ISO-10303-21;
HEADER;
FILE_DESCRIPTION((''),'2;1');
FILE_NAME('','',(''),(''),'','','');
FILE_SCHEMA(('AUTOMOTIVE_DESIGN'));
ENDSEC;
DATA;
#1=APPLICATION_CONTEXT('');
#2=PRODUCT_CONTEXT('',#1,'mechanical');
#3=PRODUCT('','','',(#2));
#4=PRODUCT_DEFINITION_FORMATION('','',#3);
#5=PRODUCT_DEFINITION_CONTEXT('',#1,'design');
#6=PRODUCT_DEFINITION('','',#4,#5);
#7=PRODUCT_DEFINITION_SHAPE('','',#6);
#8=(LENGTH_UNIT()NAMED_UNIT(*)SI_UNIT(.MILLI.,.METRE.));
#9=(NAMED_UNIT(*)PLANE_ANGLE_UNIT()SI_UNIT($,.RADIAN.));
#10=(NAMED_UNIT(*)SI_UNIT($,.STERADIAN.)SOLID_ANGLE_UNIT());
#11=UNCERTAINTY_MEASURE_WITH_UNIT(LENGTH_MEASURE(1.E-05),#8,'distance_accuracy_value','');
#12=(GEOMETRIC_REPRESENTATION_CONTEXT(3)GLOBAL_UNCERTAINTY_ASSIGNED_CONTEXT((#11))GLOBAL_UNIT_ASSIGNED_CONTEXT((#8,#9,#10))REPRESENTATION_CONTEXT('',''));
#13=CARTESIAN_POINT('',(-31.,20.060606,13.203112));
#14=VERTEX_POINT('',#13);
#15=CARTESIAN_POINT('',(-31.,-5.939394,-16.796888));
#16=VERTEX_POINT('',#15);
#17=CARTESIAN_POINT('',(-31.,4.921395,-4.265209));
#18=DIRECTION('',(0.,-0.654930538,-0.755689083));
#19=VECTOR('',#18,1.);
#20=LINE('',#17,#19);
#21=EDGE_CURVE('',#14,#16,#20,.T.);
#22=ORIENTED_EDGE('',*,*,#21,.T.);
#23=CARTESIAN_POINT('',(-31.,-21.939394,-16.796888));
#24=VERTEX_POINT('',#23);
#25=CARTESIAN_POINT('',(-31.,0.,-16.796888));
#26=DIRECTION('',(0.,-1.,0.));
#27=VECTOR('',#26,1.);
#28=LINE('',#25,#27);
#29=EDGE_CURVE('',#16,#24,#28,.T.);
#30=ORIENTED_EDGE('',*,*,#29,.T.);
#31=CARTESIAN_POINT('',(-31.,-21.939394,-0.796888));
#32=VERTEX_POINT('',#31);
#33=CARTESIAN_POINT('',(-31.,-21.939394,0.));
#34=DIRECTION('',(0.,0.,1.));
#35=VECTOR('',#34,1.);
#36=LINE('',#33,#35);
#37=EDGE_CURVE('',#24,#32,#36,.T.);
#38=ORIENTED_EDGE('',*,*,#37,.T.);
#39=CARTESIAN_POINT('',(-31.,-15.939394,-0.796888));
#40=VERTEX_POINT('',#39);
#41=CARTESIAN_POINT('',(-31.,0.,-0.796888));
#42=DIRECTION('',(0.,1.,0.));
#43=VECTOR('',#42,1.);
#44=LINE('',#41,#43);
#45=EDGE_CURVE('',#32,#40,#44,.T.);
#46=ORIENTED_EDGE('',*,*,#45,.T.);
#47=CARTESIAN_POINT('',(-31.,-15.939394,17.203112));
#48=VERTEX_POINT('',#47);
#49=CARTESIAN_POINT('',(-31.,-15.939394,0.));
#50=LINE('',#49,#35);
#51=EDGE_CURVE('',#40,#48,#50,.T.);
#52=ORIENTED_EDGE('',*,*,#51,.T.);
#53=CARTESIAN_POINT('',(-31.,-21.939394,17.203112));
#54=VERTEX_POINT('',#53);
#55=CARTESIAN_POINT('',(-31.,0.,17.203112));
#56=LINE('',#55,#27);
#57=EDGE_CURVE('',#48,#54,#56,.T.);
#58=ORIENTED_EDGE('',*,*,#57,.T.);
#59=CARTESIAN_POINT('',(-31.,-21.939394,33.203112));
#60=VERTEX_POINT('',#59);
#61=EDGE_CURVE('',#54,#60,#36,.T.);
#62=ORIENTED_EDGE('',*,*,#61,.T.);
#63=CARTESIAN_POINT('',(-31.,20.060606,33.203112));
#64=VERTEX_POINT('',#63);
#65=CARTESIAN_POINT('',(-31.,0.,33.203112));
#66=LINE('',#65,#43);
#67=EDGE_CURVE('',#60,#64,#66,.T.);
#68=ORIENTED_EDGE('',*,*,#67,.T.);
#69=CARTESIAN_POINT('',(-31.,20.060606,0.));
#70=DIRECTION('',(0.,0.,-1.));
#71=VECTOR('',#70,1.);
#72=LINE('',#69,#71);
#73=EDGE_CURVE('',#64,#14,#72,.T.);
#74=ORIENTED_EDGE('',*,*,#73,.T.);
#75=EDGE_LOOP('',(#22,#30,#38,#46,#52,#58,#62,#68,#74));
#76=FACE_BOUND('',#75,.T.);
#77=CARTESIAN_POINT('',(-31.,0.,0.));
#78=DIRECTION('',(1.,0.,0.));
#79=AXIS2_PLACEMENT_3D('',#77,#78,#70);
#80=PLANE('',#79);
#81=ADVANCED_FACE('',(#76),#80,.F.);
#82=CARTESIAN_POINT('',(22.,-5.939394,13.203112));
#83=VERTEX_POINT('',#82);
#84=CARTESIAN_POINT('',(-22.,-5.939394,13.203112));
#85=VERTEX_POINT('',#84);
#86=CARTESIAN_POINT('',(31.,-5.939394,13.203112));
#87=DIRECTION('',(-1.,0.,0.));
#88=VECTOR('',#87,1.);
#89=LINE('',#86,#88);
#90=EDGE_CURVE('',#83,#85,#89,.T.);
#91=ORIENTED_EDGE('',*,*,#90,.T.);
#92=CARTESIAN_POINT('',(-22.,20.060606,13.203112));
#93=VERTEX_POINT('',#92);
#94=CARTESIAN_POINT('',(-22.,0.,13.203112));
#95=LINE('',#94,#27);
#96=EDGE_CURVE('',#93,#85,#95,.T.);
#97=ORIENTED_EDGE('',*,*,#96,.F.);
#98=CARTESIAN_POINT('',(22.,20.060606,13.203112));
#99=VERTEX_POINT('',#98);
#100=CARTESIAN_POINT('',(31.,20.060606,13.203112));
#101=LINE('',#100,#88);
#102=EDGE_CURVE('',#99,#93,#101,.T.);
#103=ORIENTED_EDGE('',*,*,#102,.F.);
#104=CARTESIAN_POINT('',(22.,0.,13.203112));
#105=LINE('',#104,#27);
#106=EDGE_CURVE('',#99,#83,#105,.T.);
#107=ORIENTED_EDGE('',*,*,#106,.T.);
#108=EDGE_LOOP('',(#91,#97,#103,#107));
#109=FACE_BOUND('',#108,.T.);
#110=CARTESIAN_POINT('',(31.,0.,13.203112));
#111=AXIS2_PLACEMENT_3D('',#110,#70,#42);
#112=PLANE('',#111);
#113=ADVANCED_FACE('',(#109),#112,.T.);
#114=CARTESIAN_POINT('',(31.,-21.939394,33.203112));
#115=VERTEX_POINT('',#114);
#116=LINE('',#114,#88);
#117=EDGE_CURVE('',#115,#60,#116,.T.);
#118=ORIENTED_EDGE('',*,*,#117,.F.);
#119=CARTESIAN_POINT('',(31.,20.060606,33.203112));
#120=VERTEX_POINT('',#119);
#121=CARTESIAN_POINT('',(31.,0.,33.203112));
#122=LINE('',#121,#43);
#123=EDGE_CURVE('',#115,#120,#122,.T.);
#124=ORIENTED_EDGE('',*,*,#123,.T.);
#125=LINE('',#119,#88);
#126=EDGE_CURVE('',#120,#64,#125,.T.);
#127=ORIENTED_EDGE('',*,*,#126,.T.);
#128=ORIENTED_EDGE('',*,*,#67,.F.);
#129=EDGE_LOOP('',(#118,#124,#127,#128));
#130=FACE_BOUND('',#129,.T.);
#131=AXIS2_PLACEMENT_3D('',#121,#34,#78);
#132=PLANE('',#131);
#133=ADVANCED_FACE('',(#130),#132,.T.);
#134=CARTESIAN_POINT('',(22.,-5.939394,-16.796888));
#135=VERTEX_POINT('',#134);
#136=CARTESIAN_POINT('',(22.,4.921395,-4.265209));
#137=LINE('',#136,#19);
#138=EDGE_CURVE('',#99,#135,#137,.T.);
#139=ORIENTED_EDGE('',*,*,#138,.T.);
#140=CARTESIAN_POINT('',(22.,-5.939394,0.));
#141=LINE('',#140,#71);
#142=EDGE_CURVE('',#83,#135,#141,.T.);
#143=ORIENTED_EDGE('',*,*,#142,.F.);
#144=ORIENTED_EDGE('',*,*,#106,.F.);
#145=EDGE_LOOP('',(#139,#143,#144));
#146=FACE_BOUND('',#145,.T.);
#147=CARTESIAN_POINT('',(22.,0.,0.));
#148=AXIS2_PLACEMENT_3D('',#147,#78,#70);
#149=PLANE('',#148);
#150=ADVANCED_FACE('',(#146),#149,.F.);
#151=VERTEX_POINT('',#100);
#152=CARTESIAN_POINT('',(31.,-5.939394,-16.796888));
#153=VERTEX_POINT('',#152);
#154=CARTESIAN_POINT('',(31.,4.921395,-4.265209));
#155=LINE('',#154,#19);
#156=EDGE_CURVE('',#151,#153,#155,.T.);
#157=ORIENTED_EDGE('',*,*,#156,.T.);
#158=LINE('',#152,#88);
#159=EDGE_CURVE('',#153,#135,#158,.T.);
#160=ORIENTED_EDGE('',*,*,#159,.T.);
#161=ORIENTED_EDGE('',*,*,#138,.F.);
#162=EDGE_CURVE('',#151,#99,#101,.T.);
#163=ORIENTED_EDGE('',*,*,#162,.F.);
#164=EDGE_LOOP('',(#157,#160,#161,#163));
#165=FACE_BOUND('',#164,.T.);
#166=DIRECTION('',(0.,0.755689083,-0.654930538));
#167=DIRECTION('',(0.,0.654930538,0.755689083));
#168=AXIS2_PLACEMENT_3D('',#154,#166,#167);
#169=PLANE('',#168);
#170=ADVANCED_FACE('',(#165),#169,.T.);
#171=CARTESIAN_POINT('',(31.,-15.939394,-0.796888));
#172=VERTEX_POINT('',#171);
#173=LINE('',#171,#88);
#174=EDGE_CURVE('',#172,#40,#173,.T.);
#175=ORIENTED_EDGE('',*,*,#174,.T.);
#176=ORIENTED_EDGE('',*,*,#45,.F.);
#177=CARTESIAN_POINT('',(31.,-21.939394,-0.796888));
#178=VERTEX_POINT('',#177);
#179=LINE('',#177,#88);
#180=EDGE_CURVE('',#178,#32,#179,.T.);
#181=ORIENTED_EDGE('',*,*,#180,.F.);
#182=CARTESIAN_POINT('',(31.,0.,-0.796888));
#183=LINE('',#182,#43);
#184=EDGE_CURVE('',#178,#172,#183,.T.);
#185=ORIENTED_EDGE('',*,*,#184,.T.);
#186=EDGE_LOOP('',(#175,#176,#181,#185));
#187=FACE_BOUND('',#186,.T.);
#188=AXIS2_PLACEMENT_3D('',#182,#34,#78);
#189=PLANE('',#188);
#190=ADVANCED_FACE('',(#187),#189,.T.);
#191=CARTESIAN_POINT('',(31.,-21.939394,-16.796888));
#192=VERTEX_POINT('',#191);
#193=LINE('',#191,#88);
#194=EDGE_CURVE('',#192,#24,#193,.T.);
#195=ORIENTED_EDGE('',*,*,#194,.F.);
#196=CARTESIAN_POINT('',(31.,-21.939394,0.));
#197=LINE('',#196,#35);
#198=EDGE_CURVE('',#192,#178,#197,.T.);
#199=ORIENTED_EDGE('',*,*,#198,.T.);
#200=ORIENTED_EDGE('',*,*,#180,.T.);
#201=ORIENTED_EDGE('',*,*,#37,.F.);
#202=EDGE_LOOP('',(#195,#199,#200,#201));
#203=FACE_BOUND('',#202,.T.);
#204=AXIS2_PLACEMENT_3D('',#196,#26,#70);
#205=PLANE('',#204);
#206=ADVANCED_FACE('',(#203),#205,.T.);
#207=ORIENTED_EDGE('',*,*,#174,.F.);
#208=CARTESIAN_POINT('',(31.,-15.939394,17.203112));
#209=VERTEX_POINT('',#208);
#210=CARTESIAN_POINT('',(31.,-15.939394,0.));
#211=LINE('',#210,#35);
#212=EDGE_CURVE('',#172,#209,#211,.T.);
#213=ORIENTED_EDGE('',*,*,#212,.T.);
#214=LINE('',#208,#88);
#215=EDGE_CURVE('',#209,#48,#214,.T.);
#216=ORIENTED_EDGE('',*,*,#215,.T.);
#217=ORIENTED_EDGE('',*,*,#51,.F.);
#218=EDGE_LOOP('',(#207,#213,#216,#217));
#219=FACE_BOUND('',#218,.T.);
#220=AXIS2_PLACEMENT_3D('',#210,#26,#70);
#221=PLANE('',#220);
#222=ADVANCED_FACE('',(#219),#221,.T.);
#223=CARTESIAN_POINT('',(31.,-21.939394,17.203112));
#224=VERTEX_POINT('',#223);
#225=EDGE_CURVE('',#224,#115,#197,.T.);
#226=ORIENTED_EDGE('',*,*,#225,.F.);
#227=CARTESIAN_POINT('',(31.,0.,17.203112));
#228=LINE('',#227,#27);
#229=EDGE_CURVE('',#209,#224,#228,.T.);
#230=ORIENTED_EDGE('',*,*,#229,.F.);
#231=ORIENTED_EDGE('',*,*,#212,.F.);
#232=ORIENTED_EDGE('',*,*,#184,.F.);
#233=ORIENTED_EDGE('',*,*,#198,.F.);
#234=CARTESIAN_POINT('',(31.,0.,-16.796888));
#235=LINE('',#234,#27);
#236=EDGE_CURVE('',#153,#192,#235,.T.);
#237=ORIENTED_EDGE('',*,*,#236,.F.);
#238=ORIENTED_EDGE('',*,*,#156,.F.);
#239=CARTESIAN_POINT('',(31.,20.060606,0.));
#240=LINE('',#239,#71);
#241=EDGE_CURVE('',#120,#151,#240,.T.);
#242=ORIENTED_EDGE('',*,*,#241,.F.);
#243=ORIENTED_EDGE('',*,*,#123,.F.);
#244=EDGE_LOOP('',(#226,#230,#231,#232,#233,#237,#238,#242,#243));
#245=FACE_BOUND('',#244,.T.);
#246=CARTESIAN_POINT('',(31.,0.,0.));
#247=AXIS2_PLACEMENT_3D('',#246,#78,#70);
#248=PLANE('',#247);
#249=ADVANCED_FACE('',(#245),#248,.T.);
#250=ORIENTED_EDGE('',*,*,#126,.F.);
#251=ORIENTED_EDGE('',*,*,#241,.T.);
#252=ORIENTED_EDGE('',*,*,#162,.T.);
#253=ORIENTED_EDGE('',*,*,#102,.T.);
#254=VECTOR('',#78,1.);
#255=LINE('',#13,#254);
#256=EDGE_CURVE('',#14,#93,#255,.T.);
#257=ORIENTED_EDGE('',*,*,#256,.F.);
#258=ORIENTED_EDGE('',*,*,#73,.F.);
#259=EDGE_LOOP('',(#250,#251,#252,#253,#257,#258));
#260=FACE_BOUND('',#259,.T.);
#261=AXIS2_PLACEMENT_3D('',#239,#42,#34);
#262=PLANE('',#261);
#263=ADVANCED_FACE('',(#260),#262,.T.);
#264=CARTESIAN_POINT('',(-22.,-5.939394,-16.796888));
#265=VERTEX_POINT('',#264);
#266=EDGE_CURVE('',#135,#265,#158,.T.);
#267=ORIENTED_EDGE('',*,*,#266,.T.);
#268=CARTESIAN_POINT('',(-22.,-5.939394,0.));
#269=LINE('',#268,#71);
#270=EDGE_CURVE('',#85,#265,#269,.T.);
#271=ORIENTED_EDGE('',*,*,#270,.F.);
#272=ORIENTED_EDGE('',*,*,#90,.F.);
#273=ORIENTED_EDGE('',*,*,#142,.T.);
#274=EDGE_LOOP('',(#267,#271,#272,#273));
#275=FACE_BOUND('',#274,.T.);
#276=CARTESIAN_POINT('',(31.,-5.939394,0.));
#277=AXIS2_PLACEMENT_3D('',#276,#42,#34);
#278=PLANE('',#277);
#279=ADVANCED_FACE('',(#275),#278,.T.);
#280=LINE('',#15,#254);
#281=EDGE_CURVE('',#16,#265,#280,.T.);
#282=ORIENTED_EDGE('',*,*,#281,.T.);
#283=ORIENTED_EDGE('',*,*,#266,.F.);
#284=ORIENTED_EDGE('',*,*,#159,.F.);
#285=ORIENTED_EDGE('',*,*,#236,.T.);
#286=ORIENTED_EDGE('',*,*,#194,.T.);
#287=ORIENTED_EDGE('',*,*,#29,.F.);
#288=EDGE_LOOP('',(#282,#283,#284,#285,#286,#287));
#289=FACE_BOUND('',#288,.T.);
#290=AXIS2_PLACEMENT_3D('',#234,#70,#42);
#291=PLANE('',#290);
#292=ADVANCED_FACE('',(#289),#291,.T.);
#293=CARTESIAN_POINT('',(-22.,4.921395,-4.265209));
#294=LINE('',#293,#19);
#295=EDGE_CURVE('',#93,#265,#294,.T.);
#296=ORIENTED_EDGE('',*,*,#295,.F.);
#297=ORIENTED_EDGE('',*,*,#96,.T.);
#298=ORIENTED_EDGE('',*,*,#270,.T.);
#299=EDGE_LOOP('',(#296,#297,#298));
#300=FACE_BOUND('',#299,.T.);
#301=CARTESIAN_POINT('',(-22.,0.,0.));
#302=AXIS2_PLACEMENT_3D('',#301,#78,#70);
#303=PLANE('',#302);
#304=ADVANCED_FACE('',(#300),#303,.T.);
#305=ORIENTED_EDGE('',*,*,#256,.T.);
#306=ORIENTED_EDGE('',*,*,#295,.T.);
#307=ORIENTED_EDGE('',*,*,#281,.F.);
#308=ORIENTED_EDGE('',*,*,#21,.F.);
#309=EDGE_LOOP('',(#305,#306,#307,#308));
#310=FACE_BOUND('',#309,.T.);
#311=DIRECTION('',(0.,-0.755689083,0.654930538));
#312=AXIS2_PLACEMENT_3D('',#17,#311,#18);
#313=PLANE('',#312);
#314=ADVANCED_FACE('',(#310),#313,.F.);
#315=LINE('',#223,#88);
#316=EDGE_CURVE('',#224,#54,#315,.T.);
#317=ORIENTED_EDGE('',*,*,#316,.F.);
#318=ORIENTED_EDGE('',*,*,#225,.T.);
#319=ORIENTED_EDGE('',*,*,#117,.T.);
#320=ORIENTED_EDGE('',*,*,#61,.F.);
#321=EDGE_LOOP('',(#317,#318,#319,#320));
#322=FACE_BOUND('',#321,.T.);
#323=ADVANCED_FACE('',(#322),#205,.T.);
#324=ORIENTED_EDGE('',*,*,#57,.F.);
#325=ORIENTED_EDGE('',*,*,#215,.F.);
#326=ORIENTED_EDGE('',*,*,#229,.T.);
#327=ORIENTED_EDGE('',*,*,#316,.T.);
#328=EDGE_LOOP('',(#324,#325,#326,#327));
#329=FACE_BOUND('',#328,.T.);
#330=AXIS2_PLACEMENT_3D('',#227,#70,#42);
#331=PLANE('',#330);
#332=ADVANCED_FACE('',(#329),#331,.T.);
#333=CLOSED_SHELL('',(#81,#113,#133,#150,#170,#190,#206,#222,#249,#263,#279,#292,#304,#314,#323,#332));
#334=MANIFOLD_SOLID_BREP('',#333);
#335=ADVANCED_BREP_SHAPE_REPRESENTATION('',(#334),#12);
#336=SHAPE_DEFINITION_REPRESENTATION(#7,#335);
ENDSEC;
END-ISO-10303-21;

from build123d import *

# Parameters (mm, degrees)
BOSS_EXTRUDE1_DEPTH = 31
BOSS_EXTRUDE2_START = 22
BOSS_EXTRUDE2_DEPTH = 9
BOSS_EXTRUDE4_START = -22
BOSS_EXTRUDE4_DEPTH = 9


with BuildPart() as part:
    # Sketch1 → Boss-Extrude1 (new, symmetric)
    with BuildSketch(Plane(origin=(0, 0, 0), x_dir=(0, 0, -1), z_dir=(1, 0, 0))):
        Polygon((-13.203112203, 20.060606061), (-33.203112203, 20.060606061), (-33.203112203, -21.939393939), (-17.203112203, -21.939393939), (-17.203112203, -15.939393939), (0.796887797, -15.939393939), (0.796887797, -21.939393939), (16.796887797, -21.939393939), (16.796887797, -5.939393939), (-13.203112203, -5.939393939), align=None)
    extrude(amount=BOSS_EXTRUDE1_DEPTH, both=True)

    # Sketch1<4> → Boss-Extrude2 (add)
    with BuildSketch(Plane(origin=(0, 0, 0), x_dir=(0, 0, -1), z_dir=(1, 0, 0)).offset(BOSS_EXTRUDE2_START)):
        Polygon((16.796887797, -5.939393939), (-13.203112203, 20.060606061), (-13.203112203, -5.939393939), align=None)
    extrude(amount=BOSS_EXTRUDE2_DEPTH)

    # Sketch1<14> → Boss-Extrude4 (add)
    with BuildSketch(Plane(origin=(0, 0, 0), x_dir=(0, 0, -1), z_dir=(1, 0, 0)).offset(BOSS_EXTRUDE4_START)):
        Polygon((16.796887797, -5.939393939), (-13.203112203, 20.060606061), (-13.203112203, -5.939393939), align=None)
    extrude(amount=-BOSS_EXTRUDE4_DEPTH)


solid = part.part
